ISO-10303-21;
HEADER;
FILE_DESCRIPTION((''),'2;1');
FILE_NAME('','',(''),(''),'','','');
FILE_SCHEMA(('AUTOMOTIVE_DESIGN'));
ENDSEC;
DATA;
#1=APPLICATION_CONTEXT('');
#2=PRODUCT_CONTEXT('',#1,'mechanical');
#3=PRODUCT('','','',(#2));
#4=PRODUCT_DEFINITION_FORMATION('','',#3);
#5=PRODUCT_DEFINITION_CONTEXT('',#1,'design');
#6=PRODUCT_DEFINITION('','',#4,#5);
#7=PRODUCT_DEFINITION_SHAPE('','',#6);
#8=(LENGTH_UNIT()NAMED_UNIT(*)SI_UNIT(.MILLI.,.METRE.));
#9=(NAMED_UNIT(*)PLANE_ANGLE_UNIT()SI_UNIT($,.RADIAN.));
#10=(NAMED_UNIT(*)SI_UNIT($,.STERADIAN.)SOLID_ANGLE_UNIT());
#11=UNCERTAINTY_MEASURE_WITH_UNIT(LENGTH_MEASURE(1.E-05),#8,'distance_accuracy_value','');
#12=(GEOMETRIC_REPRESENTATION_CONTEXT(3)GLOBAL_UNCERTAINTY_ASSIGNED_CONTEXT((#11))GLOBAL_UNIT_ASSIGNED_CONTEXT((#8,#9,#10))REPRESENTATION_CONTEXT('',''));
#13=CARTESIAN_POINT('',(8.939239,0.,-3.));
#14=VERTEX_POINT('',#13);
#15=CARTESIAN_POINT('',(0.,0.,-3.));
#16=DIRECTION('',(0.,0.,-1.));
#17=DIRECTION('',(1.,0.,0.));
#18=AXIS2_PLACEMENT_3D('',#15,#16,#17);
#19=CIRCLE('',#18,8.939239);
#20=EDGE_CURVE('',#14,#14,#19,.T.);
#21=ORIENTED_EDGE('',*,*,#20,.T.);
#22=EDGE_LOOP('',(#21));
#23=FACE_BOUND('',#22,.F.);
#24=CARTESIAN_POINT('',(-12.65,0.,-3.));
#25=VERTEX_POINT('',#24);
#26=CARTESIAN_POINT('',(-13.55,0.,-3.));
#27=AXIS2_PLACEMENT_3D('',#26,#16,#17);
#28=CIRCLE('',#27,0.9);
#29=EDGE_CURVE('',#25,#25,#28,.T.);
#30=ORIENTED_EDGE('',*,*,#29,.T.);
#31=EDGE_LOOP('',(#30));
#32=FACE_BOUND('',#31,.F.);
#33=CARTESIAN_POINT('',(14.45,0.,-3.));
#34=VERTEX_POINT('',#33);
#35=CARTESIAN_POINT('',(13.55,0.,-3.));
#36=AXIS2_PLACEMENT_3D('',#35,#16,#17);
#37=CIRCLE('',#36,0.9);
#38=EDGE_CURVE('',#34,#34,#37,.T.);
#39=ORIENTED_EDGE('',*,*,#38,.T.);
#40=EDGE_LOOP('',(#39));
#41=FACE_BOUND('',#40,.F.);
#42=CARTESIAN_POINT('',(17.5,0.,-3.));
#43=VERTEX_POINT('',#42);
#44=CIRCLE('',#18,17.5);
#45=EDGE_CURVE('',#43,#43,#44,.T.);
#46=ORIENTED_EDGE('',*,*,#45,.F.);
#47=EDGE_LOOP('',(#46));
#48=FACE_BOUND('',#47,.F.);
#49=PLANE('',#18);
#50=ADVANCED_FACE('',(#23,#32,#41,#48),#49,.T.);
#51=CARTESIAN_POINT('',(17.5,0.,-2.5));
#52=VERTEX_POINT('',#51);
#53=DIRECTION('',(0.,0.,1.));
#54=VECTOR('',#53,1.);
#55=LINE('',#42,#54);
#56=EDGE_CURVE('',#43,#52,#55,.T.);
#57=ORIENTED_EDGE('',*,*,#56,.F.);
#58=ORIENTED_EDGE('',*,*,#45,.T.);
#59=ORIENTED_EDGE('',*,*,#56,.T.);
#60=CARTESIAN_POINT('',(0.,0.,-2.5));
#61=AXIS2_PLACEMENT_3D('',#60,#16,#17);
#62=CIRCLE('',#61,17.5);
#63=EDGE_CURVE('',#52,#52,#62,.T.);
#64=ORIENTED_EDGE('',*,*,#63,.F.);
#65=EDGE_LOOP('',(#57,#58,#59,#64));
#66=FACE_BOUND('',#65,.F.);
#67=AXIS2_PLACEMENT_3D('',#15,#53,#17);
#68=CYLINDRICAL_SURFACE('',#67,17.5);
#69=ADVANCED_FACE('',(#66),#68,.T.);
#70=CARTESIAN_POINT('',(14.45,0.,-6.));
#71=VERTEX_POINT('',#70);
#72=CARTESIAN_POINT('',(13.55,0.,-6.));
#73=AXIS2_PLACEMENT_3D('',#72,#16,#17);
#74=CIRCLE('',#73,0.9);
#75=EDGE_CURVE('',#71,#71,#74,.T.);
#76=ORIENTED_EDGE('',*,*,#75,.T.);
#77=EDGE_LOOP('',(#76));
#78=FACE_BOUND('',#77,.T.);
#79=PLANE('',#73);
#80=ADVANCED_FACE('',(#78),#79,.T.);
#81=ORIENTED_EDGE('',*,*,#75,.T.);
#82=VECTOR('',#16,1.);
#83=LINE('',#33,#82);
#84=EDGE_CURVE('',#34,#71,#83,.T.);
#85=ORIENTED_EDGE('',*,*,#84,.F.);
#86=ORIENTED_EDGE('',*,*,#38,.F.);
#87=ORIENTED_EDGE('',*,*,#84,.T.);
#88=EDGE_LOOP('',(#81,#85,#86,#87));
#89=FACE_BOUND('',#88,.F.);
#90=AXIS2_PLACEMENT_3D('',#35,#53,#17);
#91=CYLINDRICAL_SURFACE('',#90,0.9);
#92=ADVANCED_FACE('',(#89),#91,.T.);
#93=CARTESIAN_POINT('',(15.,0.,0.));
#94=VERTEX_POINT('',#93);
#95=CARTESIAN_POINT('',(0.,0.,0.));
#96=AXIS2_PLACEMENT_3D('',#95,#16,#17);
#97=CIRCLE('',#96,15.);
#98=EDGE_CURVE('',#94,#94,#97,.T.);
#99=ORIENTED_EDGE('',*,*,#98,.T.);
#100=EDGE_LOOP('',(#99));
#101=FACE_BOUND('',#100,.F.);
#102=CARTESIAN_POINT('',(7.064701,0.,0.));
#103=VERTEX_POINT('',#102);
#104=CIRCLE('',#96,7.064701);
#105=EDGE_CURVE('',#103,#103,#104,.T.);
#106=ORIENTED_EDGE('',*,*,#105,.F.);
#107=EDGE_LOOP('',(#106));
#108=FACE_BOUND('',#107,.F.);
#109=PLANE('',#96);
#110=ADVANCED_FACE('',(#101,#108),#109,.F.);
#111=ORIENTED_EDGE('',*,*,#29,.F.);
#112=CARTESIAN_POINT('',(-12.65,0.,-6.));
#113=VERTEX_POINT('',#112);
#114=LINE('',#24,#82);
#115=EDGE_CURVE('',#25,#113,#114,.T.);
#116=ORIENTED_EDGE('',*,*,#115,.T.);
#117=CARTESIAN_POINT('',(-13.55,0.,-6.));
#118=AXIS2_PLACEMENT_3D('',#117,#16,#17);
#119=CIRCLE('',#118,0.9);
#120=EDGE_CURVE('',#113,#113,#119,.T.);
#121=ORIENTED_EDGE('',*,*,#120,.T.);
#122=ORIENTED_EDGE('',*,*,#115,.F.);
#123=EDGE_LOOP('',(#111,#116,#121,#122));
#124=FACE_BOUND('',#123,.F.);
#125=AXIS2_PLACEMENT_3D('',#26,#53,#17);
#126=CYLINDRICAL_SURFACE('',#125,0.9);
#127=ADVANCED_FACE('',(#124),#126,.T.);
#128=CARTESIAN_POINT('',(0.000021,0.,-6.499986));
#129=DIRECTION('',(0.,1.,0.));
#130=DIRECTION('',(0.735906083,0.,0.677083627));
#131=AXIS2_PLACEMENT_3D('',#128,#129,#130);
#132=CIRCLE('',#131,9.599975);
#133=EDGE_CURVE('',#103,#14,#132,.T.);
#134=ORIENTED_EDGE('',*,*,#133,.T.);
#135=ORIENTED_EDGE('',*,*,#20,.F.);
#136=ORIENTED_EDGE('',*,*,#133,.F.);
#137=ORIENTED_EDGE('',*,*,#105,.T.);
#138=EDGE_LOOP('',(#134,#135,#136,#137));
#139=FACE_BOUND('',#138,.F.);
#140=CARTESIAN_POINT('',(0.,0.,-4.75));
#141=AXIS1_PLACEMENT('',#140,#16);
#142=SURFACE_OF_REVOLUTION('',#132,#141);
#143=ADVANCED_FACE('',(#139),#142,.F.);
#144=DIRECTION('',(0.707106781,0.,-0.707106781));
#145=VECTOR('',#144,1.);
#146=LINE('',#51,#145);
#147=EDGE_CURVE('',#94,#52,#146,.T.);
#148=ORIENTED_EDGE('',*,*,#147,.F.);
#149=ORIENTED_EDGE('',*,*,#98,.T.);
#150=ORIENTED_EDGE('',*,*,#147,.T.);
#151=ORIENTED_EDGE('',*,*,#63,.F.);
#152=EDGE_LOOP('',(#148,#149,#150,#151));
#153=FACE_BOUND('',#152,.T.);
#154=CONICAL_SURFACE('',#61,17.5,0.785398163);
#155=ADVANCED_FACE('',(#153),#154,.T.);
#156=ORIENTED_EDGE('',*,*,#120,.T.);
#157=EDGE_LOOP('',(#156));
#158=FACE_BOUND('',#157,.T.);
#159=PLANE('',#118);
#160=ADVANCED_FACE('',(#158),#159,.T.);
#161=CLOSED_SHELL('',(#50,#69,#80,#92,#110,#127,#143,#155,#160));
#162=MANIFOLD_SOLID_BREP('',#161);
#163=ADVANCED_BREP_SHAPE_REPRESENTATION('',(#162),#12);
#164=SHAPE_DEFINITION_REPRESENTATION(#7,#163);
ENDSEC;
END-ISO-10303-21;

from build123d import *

# Parameters (mm, degrees)
F2_SIZE  = 2.5
F3_R     = 0.9
F4_DEPTH = 3


with BuildPart() as f1:
    # F0 (on Front) → F1 (revolve)
    with BuildSketch(Plane.XZ):
        with BuildLine():
            Line((17.5, 0), (7.064701, 0))
            ThreePointArc((7.064701, 0), (8.141347, -1.412911), (8.939239, -3))
            Line((8.939239, -3), (17.5, -3))
            Line((17.5, -3), (17.5, 0))
        make_face()
    revolve(axis=Axis((0, 0, -4.75), (0, 0, -1)))

    # F2
    f2_edges = [f1.edges().sort_by_distance(p)[0] for p in [
        (-17.5, 0, 0),
    ]]
    chamfer(f2_edges, length=F2_SIZE)

    # F3 (on face) → F4 (join)
    with BuildSketch(Plane(origin=(0, 0, -3), x_dir=(1, 0, 0), z_dir=(0, 0, -1))):
        with Locations((-13.55, 0)):
            Circle(F3_R)
        with Locations((13.55, 0)):
            Circle(F3_R)
    extrude(amount=F4_DEPTH)


solid = f1.part
